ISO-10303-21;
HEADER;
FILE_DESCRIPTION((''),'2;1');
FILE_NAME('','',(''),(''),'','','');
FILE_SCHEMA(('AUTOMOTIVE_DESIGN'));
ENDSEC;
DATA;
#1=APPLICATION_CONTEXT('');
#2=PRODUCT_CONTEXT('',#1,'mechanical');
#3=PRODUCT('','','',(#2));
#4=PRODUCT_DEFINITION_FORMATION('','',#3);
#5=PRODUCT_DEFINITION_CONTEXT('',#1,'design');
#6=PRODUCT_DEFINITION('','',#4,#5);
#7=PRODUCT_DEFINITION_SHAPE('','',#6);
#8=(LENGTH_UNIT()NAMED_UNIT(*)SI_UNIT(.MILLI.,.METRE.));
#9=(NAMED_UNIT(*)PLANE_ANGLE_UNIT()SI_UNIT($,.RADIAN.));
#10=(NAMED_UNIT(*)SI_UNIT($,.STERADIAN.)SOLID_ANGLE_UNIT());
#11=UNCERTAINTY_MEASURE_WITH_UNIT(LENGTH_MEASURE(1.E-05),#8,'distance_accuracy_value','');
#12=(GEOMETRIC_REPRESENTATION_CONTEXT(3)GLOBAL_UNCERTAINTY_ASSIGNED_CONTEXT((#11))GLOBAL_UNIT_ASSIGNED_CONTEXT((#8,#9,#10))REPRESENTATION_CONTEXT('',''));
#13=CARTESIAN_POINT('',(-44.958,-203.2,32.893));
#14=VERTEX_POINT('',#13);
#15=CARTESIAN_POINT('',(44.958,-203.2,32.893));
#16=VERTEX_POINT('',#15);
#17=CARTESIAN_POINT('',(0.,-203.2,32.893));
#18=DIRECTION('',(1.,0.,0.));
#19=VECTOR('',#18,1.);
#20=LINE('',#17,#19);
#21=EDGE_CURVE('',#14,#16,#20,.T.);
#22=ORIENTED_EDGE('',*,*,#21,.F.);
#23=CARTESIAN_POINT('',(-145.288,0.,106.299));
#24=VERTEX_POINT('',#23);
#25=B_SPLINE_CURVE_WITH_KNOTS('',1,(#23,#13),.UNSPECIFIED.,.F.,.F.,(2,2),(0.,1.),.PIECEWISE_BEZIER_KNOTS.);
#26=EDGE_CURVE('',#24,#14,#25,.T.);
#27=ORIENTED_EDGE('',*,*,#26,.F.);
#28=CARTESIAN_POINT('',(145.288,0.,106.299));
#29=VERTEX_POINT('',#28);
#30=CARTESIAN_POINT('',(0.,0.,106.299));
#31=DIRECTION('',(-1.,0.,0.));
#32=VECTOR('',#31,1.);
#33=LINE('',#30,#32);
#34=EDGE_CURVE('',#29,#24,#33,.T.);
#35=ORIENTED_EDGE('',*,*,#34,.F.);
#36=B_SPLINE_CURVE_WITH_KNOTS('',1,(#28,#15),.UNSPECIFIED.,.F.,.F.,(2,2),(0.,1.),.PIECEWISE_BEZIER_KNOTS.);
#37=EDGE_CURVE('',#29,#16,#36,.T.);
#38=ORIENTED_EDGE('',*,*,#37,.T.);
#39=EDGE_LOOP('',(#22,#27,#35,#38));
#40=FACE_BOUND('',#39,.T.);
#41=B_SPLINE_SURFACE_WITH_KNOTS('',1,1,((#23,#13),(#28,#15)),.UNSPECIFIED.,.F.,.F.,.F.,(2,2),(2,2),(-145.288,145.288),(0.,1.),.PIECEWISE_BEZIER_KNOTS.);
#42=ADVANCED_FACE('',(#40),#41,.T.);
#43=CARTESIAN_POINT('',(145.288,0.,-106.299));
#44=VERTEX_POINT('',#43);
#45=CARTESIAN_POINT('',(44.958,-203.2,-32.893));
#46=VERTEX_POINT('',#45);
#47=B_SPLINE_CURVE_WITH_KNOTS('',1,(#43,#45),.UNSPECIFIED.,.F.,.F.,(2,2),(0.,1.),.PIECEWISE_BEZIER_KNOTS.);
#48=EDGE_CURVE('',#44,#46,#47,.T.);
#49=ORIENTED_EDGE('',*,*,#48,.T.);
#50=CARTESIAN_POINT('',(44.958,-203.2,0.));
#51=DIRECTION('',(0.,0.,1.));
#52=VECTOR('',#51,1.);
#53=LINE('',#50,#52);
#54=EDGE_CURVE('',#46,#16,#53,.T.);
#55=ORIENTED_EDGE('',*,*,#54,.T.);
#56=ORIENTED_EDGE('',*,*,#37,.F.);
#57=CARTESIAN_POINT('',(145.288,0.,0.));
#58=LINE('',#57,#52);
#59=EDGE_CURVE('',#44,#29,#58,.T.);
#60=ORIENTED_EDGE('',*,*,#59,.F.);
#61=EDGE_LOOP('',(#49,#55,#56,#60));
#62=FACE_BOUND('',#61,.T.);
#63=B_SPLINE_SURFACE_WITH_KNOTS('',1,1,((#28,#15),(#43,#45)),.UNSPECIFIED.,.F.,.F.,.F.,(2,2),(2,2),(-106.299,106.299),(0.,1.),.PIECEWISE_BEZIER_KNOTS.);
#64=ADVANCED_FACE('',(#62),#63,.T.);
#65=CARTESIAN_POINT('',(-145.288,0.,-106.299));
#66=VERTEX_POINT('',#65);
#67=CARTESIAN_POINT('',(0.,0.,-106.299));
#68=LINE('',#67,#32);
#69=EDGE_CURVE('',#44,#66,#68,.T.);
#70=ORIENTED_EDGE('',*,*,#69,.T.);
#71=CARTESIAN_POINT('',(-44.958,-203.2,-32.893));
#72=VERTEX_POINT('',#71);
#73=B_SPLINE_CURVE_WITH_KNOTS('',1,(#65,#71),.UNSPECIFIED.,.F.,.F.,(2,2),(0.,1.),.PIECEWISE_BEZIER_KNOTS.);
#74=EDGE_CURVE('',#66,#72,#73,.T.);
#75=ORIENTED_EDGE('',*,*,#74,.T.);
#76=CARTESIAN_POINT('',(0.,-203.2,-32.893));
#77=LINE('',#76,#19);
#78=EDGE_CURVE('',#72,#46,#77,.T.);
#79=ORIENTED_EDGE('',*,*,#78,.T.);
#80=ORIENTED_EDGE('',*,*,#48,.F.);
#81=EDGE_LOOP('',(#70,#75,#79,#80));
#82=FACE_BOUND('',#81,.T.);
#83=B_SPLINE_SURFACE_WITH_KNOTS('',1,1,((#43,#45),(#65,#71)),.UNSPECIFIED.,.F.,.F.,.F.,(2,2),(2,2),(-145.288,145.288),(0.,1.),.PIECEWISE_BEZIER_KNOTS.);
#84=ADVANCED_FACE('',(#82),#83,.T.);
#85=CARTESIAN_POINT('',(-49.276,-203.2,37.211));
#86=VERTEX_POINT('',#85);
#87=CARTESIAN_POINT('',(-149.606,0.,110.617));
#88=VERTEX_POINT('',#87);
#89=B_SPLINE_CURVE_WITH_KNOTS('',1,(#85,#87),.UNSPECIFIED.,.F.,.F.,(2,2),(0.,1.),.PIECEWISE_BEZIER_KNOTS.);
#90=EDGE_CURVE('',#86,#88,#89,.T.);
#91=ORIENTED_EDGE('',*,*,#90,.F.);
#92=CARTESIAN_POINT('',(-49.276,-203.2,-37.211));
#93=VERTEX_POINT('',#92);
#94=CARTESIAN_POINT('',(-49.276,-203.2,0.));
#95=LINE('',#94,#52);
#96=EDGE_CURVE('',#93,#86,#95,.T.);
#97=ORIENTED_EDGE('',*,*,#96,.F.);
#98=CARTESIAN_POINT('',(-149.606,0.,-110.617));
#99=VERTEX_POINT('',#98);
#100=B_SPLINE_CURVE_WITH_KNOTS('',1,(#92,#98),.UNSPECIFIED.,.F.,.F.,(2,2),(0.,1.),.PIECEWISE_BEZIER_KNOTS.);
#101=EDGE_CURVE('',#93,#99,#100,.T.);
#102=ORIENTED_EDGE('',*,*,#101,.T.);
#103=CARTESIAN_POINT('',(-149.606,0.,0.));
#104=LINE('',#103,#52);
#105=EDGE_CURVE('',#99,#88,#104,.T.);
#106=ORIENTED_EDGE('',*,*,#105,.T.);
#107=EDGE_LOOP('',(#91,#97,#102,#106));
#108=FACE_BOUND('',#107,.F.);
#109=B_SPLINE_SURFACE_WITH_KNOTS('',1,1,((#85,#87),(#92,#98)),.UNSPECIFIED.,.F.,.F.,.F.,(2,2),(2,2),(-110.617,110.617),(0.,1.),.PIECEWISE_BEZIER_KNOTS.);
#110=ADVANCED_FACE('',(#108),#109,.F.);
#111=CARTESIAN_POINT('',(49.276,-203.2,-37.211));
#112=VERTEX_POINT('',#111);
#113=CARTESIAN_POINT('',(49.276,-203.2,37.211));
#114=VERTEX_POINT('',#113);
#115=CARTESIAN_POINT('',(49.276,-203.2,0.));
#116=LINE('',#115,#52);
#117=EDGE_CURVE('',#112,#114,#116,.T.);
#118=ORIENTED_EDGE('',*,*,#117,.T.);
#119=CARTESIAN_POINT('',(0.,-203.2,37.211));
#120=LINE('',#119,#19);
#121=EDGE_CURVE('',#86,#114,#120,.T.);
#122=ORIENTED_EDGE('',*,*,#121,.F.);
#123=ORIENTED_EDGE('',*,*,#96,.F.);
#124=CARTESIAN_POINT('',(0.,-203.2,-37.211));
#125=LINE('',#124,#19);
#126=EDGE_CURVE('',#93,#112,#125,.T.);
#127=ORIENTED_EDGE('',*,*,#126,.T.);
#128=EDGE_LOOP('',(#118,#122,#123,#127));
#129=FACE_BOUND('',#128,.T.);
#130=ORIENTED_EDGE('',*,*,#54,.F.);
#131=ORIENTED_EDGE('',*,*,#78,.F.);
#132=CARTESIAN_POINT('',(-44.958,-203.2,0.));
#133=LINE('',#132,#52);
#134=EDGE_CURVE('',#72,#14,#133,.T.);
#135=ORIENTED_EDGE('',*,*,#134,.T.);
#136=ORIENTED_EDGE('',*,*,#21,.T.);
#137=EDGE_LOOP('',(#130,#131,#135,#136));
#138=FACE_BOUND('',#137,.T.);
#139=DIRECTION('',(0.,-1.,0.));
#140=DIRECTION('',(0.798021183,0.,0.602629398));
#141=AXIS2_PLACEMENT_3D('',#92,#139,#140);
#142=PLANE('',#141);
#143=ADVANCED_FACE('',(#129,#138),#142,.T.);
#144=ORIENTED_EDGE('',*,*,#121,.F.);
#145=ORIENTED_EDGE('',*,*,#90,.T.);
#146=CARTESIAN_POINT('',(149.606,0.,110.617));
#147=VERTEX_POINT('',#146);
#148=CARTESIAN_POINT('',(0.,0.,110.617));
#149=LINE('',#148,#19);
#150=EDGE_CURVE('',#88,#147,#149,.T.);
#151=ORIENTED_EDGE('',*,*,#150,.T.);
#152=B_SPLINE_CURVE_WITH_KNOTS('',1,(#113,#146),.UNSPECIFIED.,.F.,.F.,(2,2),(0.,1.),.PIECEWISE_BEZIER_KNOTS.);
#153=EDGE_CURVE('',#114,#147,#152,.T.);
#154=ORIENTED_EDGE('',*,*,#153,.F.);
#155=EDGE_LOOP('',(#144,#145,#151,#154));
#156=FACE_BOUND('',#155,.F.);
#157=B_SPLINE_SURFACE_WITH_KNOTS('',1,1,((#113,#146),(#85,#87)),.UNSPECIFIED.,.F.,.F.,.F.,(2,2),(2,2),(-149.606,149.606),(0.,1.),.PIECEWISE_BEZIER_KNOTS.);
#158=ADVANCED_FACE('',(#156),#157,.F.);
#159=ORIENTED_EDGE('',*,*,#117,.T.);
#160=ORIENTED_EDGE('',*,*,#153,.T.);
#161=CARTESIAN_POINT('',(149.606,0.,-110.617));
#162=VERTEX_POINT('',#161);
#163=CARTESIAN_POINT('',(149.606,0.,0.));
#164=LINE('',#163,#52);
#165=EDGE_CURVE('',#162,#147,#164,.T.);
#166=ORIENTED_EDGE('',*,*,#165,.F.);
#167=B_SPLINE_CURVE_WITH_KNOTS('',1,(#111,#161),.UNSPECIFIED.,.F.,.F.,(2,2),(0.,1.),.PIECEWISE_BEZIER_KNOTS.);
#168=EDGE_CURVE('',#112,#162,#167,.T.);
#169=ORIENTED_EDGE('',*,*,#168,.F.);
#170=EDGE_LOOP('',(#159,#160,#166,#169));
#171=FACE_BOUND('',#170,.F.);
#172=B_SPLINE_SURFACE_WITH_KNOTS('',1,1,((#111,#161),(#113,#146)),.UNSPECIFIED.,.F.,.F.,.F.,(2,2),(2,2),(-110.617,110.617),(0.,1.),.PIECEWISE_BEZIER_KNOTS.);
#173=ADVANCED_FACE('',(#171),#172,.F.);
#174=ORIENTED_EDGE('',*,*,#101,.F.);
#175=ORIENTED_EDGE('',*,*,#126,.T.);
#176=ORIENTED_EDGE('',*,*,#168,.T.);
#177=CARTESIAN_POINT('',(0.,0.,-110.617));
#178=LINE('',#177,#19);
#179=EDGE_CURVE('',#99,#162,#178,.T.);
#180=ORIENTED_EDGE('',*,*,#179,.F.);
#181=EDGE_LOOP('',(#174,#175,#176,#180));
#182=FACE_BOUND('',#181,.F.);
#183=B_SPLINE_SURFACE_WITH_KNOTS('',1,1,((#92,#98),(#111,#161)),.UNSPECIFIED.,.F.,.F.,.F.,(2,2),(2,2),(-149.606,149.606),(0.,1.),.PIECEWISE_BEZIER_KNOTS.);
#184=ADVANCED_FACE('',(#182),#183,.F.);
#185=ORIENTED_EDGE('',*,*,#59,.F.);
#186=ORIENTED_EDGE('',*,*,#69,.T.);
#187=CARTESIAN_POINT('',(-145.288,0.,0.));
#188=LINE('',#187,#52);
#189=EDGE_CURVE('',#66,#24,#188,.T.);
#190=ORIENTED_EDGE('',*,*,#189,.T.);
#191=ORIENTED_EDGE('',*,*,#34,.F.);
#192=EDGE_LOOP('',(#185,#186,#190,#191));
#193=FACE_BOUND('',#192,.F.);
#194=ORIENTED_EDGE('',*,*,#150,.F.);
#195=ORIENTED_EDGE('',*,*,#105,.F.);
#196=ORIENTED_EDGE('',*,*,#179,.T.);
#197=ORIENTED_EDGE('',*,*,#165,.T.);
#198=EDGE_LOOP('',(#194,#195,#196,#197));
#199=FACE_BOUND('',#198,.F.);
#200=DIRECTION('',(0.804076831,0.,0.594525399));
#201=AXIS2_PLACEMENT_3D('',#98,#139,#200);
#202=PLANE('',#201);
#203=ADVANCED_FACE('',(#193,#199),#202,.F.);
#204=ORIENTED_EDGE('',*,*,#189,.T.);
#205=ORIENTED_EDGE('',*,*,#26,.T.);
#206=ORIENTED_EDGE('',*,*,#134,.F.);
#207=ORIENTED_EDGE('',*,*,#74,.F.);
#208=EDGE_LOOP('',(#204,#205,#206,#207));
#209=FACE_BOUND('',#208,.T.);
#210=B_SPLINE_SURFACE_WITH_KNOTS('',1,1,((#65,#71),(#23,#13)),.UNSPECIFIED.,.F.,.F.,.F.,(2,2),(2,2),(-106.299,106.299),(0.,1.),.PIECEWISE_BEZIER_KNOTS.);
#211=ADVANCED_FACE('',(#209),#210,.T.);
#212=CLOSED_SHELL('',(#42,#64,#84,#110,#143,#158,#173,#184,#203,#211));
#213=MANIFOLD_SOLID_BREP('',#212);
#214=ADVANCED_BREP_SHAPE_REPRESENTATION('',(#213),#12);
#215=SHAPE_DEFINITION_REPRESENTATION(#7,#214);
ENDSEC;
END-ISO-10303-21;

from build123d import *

# Parameters (mm, degrees)
F2_W = 98.552
F2_H = 74.422
F0_W = 299.212
F0_H = 221.234
F5_W = 290.576
F5_H = 212.598
F4_W = 89.916
F4_H = 65.786


with BuildPart() as f3:
    # F2 (on offset) → F3 section 0
    with BuildSketch(Plane.XZ.offset(203.2)):
        Rectangle(F2_W, F2_H)
    # F0 (on Front) → F3 section 1
    with BuildSketch(Plane.XZ):
        Rectangle(F0_W, F0_H)
    loft()

    # F5 (on face) → F6 section 0
    with BuildSketch(Plane(origin=(0, 0, 0), x_dir=(-1, 0, 0), z_dir=(0, 1, 0))):
        Rectangle(F5_W, F5_H)
    # F4 (on face) → F6 section 1
    with BuildSketch(Plane.XZ.offset(203.2)):
        Rectangle(F4_W, F4_H)
    loft(mode=Mode.SUBTRACT)


solid = f3.part
